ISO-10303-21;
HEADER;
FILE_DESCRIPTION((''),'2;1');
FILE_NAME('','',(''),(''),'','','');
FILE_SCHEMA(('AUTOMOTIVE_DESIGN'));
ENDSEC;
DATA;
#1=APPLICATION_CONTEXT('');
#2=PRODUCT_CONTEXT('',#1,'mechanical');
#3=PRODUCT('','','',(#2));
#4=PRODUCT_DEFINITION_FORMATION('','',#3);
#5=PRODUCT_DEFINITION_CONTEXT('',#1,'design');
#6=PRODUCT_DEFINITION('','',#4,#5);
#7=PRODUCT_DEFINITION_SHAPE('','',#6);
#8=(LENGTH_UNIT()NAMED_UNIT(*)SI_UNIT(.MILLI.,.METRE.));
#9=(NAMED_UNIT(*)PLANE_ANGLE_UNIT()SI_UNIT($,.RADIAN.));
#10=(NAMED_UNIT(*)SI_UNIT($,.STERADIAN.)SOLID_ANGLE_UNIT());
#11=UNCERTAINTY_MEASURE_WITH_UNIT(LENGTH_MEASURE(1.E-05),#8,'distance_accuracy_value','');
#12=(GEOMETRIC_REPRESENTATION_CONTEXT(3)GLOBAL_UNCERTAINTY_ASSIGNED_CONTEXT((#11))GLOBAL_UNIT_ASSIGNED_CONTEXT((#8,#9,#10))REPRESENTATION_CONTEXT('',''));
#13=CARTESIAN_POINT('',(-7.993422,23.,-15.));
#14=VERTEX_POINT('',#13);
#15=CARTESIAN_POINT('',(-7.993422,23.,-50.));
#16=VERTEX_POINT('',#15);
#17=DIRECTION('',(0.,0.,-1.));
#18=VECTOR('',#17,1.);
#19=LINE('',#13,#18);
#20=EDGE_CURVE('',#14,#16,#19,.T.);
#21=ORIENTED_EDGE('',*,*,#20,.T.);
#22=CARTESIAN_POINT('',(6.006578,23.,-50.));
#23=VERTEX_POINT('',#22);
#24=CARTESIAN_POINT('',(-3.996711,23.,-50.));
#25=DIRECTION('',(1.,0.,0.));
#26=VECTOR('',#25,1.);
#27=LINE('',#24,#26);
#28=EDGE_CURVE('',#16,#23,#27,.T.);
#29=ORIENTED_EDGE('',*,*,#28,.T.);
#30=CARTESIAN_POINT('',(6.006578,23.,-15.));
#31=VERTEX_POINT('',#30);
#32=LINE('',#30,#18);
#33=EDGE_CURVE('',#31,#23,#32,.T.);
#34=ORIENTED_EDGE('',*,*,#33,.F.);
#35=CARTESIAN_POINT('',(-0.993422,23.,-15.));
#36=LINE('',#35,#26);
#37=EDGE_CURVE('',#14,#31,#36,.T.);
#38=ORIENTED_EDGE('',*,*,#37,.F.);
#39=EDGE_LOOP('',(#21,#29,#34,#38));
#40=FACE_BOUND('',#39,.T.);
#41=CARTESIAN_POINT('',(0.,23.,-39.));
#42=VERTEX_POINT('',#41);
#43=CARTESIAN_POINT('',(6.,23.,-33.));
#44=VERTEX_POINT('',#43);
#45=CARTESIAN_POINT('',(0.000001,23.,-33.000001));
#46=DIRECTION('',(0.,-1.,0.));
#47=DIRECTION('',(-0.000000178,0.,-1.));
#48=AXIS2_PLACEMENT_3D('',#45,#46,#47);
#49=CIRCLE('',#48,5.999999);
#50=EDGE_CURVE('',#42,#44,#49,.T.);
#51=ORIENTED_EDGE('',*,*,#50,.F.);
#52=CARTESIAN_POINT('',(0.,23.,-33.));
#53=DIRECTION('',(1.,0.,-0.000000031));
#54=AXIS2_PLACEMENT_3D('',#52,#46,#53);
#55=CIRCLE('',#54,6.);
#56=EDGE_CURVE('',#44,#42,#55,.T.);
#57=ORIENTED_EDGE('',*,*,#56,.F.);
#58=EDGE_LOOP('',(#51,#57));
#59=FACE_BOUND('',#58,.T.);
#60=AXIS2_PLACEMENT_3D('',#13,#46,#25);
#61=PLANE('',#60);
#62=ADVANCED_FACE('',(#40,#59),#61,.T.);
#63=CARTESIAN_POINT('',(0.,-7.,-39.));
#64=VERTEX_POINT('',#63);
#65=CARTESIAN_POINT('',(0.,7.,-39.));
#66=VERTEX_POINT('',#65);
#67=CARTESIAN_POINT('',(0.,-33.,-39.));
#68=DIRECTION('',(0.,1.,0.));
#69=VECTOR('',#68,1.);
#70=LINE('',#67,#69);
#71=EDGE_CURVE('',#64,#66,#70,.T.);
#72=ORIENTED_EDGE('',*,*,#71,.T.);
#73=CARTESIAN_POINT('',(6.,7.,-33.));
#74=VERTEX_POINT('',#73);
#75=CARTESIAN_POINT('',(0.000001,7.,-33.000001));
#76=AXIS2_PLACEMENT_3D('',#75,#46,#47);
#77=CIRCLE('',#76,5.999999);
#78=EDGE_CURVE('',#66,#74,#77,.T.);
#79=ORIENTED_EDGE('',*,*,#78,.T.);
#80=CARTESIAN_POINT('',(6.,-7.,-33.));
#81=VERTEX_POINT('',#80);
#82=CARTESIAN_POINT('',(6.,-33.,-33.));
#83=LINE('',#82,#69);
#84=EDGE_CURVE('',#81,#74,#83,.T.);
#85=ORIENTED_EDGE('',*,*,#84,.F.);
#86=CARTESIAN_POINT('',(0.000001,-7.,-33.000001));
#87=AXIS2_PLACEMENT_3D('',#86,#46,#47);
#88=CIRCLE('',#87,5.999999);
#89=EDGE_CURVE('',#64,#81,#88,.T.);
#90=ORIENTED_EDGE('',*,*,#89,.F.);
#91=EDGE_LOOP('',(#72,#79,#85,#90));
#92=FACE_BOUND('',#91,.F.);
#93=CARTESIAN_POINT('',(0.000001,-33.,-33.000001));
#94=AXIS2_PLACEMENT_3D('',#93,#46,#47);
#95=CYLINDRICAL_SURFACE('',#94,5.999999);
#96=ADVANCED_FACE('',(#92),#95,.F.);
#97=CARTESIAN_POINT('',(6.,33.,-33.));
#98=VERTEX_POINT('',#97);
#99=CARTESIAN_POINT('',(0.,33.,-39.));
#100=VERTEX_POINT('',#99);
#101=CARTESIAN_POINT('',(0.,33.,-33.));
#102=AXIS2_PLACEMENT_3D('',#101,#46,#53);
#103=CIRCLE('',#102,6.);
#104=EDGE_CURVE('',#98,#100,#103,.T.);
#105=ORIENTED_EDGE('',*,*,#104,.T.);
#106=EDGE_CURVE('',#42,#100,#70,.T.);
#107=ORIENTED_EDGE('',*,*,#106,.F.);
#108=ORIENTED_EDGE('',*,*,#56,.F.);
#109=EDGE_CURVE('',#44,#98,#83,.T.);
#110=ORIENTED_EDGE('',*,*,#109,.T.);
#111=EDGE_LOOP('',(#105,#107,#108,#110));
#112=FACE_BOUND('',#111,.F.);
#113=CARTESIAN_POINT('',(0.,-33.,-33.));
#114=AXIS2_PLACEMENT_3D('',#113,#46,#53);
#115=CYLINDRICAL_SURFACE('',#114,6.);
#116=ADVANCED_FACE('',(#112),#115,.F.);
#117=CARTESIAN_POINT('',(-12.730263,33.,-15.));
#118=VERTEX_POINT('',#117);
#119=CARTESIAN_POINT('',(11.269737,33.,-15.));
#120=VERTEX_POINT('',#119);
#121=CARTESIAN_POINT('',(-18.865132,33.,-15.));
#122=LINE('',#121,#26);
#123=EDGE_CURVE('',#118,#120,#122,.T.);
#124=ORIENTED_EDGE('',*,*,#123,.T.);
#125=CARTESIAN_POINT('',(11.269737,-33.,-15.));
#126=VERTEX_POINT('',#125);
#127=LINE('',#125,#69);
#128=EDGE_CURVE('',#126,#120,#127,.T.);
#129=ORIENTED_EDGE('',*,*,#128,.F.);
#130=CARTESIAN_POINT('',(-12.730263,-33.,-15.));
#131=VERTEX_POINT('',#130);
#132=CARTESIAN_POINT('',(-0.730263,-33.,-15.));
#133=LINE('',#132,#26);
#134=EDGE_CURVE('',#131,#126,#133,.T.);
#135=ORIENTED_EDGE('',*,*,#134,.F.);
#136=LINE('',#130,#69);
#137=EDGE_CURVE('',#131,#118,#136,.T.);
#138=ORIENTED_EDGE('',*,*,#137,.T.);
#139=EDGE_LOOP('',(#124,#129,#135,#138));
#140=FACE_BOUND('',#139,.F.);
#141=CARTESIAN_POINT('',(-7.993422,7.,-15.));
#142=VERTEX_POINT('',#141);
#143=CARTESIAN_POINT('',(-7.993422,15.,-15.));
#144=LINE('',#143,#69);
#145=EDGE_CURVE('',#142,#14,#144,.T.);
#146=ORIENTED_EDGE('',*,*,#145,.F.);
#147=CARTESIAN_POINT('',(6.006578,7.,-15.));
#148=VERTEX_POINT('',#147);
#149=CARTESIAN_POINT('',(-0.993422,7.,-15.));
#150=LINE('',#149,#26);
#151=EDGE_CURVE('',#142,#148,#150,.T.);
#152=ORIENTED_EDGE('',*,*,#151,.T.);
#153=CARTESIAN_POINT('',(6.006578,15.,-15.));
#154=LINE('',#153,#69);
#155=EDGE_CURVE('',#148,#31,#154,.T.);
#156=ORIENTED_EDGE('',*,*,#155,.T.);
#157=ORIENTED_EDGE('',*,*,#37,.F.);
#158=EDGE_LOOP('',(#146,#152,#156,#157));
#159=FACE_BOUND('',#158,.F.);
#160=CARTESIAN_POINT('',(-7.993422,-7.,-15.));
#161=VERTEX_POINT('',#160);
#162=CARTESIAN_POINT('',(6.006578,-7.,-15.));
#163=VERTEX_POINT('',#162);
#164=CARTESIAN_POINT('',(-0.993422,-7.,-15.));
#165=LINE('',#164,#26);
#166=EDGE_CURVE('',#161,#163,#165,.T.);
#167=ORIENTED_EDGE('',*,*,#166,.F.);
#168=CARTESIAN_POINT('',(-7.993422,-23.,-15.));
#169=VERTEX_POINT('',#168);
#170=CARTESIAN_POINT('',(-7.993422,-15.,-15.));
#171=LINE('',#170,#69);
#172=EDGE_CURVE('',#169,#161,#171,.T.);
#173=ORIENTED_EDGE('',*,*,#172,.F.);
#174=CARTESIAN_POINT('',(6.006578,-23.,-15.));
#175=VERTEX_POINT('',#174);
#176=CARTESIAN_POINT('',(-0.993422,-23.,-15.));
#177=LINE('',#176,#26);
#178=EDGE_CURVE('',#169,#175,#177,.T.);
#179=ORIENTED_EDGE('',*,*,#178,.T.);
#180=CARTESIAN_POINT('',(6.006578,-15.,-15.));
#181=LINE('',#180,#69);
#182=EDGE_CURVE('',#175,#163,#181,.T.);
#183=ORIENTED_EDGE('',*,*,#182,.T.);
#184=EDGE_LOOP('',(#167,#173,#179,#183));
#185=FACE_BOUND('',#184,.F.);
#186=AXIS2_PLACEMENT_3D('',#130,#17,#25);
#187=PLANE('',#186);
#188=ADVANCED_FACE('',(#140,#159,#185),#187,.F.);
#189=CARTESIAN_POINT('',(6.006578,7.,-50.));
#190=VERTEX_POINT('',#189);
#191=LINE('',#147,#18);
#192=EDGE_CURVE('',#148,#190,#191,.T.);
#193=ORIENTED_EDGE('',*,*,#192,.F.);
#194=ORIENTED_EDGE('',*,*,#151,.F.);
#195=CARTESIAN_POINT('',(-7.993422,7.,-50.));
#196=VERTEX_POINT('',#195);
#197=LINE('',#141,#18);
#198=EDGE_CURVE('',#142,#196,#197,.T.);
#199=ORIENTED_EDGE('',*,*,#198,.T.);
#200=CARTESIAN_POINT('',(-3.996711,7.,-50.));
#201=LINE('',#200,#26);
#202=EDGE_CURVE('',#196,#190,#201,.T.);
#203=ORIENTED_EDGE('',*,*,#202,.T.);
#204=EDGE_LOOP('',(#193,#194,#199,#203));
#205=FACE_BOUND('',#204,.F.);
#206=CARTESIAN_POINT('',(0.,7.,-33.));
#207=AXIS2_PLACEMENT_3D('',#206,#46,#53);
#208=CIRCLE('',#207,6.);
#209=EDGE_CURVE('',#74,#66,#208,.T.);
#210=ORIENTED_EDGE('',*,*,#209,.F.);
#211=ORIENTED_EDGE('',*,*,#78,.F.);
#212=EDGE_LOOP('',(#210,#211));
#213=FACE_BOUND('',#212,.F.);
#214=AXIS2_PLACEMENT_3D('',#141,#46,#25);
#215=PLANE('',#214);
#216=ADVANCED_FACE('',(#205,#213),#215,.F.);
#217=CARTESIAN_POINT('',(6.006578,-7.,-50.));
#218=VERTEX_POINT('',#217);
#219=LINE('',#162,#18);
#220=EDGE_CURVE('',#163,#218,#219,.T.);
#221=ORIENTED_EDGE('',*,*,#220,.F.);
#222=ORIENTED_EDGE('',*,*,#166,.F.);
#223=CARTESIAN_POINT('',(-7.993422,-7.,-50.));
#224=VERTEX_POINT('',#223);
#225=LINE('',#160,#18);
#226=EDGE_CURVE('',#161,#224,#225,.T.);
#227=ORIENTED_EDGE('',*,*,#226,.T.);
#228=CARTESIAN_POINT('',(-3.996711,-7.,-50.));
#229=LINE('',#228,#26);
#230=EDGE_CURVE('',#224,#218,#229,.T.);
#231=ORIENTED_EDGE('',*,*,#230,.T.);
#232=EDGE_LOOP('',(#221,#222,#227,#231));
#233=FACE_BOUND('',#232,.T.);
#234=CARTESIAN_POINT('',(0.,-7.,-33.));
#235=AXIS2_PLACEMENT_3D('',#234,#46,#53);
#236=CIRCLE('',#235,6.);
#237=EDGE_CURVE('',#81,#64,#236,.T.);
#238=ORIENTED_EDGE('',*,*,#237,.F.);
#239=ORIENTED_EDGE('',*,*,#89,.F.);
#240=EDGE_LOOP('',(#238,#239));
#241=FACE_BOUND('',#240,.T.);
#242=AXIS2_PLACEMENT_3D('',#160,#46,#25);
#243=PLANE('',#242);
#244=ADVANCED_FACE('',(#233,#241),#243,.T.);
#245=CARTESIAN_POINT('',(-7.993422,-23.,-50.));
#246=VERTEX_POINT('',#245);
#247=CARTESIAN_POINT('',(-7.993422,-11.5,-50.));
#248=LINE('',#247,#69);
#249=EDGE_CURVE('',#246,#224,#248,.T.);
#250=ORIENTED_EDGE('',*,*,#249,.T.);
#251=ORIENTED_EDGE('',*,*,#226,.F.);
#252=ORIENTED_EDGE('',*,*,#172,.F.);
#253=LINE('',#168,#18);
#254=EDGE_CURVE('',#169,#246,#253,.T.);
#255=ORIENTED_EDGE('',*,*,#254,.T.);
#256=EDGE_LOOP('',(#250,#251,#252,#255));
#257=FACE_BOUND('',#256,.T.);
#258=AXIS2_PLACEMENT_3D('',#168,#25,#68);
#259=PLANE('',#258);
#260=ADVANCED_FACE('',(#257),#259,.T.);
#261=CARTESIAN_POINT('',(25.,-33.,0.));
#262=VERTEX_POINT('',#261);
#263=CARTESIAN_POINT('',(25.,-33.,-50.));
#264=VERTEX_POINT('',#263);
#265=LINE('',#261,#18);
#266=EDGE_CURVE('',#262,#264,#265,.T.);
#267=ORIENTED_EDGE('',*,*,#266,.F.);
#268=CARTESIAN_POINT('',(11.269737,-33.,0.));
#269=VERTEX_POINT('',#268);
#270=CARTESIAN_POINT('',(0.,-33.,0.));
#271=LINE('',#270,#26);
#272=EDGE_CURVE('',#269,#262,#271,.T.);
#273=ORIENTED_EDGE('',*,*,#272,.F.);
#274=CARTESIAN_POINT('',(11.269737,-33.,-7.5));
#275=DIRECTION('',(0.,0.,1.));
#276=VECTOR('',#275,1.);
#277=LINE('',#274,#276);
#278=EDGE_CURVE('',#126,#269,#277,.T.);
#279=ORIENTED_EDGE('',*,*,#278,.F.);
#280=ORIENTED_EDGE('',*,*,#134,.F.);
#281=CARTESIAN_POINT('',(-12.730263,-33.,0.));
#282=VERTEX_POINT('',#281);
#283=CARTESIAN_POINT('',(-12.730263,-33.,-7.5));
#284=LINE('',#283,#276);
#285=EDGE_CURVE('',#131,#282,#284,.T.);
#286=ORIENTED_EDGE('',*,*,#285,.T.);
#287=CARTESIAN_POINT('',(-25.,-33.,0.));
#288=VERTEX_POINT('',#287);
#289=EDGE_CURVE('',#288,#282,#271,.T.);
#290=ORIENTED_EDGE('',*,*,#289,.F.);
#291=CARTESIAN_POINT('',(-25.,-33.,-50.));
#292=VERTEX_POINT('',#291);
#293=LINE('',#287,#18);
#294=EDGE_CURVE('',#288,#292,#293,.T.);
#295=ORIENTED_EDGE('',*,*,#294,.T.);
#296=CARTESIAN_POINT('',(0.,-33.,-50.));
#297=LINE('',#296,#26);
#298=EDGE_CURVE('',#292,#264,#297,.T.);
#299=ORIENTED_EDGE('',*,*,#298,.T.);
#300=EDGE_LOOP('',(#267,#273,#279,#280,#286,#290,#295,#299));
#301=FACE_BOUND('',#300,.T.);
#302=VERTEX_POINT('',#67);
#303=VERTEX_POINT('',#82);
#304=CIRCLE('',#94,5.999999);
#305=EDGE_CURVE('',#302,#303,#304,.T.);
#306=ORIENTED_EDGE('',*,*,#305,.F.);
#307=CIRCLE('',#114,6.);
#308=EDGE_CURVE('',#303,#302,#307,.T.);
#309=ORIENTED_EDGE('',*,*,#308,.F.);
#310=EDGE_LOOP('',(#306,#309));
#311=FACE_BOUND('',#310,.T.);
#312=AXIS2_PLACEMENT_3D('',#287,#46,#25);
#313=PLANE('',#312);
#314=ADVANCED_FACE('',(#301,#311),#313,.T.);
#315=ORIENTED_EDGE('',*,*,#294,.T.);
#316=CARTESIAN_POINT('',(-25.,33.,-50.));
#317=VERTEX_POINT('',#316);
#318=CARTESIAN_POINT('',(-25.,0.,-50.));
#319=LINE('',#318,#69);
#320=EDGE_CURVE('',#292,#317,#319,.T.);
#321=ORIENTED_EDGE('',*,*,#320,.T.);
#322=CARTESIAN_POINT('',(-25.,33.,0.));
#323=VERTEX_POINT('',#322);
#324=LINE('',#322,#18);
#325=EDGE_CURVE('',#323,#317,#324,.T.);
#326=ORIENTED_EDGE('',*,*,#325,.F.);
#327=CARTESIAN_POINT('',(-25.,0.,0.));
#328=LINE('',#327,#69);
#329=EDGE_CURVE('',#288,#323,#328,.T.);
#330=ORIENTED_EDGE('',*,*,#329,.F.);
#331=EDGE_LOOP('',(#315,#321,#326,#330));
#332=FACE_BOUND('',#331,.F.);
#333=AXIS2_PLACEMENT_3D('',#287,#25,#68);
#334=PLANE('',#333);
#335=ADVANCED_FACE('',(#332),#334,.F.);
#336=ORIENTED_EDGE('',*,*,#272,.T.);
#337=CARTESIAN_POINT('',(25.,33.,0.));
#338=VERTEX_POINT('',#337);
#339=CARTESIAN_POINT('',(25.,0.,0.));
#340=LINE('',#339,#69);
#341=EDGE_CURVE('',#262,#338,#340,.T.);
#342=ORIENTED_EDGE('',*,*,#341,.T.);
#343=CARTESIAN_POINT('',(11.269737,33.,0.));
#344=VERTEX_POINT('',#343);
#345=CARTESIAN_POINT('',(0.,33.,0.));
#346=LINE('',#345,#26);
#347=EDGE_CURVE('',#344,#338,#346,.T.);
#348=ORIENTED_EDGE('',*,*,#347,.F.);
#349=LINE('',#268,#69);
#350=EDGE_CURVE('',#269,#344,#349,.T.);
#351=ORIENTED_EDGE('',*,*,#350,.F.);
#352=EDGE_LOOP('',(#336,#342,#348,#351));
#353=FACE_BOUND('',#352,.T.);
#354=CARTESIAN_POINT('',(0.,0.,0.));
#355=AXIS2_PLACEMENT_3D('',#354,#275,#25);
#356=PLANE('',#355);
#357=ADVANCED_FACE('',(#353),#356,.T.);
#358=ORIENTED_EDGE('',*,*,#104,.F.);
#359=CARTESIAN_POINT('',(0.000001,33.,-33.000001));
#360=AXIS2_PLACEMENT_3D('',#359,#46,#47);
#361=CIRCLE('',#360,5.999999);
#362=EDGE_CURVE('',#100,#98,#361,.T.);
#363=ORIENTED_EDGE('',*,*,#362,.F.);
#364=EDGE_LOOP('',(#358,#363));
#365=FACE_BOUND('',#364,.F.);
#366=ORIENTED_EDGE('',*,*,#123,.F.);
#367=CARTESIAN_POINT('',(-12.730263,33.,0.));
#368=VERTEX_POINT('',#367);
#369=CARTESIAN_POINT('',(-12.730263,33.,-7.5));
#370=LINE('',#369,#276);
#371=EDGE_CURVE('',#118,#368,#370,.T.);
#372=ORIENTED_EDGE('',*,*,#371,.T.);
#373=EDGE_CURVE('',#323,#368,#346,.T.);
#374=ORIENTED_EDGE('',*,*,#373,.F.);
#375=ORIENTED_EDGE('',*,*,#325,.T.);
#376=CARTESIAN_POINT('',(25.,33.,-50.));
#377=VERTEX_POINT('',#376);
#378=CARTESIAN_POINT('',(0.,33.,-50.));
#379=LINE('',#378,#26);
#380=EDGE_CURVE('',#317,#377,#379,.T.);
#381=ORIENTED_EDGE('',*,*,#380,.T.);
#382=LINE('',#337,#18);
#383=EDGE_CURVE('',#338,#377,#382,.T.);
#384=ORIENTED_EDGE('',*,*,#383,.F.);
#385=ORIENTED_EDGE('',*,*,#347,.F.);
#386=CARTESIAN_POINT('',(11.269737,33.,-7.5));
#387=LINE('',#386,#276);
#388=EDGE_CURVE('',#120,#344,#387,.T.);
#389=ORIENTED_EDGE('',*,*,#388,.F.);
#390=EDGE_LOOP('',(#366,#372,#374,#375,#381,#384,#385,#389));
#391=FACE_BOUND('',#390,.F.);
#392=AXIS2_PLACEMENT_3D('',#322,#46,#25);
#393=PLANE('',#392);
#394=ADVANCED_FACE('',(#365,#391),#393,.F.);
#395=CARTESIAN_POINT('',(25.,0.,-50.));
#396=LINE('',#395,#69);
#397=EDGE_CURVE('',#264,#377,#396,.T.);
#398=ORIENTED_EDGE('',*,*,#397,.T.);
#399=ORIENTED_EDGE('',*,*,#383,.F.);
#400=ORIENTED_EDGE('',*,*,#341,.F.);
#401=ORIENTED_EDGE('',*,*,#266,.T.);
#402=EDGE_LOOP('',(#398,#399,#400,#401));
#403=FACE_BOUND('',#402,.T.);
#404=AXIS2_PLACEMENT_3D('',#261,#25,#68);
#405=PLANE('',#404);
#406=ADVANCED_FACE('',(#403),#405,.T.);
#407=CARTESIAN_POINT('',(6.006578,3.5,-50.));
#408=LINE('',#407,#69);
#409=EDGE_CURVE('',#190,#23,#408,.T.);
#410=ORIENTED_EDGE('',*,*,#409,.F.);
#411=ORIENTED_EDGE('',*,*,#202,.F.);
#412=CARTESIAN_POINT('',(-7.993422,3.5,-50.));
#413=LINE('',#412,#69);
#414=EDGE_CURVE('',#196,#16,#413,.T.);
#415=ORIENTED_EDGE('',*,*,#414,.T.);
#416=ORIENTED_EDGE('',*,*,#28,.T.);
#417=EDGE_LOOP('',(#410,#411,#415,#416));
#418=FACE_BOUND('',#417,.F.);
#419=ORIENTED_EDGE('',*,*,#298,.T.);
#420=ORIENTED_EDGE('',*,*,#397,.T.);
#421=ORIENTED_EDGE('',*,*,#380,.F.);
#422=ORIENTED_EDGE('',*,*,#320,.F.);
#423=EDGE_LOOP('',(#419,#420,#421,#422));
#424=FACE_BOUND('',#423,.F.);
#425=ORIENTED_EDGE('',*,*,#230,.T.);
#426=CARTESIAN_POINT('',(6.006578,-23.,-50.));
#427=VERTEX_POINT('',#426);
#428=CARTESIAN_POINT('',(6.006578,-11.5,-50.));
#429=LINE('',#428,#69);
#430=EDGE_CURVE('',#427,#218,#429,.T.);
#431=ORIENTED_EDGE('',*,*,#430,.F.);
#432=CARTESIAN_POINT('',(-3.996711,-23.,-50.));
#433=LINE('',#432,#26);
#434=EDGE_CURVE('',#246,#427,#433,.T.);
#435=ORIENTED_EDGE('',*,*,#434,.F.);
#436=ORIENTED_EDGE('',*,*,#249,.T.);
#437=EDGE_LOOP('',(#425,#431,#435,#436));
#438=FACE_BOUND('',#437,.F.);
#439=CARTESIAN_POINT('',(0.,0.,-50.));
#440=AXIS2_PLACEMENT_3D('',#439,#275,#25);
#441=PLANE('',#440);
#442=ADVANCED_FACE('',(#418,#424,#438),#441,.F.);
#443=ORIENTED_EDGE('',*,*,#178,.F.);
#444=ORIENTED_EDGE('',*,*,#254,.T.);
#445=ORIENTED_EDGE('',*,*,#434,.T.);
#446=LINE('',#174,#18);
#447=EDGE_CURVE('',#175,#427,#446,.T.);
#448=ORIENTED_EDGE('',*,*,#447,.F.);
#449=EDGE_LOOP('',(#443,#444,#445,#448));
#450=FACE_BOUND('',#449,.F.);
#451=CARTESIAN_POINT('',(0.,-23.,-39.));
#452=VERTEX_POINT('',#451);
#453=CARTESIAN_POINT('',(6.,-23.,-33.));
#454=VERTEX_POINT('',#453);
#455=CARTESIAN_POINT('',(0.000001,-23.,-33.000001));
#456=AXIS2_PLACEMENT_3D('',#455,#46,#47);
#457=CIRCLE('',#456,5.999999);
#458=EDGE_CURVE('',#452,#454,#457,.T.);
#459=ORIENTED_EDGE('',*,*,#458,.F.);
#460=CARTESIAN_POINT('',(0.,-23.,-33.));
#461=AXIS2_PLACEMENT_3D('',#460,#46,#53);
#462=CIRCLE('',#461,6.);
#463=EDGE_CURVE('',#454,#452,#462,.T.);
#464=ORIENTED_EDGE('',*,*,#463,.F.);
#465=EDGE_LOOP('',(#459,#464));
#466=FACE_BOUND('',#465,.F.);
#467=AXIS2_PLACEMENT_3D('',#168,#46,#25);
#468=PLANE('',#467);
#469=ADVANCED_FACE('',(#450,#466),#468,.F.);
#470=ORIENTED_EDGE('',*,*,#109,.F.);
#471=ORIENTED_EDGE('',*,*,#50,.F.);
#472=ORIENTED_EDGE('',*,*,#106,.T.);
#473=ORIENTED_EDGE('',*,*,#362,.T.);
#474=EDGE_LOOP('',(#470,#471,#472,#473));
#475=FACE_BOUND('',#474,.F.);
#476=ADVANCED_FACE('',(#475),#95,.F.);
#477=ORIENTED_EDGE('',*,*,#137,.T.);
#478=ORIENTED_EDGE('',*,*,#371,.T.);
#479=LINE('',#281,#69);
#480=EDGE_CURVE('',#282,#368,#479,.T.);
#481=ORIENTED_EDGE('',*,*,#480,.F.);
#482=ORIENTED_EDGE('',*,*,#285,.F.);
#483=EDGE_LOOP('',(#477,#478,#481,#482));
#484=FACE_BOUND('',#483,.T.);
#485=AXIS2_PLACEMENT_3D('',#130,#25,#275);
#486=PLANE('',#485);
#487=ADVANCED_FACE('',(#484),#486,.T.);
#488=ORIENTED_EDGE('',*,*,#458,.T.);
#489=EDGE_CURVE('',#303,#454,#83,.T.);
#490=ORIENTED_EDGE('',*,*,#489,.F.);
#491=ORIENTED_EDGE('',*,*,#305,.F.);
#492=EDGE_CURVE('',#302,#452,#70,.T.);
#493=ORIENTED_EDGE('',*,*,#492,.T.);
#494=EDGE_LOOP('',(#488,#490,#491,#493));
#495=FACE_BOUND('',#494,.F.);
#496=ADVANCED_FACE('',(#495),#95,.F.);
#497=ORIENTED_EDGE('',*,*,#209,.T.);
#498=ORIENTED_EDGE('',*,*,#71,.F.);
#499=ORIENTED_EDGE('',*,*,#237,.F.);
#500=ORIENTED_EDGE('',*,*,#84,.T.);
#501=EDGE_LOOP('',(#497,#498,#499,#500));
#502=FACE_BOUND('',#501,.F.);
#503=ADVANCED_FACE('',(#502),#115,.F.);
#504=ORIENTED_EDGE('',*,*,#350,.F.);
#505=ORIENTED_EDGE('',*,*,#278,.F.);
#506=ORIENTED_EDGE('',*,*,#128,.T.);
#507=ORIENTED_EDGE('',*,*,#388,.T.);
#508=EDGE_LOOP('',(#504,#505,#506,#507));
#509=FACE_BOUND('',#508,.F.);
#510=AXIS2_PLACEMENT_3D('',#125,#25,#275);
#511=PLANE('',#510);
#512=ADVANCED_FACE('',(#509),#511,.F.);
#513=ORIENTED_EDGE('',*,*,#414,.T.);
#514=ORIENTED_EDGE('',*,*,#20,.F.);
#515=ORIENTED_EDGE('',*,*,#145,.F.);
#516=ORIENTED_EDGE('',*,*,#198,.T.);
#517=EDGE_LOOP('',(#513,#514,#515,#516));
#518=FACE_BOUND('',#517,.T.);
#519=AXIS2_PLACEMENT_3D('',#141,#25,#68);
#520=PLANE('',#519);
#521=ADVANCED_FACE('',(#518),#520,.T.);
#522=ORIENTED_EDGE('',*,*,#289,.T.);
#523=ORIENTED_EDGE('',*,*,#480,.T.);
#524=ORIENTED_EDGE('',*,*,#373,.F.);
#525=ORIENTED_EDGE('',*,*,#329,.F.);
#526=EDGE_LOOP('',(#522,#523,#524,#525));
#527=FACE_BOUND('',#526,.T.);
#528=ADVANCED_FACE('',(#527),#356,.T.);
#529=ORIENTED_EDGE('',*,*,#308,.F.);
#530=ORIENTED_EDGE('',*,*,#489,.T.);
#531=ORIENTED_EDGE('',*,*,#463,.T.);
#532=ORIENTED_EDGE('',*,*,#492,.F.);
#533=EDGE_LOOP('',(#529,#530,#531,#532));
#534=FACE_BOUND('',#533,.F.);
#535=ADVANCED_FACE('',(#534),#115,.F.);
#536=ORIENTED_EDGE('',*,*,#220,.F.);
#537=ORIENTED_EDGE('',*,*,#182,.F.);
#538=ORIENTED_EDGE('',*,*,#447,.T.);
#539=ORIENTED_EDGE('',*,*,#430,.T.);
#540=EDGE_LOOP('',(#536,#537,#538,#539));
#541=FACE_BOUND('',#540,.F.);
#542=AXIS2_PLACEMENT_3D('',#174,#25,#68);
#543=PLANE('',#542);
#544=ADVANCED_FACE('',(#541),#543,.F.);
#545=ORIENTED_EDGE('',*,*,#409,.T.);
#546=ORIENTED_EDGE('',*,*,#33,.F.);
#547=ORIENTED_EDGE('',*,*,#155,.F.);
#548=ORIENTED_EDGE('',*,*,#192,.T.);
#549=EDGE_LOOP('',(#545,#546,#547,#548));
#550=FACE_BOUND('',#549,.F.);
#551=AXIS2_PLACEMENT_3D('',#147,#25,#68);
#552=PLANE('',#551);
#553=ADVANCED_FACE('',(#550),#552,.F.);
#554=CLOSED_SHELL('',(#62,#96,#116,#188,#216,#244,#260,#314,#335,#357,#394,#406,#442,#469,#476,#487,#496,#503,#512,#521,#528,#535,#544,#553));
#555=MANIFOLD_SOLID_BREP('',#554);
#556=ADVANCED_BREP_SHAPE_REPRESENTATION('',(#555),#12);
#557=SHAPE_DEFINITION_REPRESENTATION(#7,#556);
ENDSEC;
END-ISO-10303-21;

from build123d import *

# Parameters (mm, degrees)
F0_W     = 50
F0_H     = 66
F1_DEPTH = 50
F2_W     = 24
F2_H     = 15
F3_DEPTH = 100
F5_DEPTH = 100
F6_W     = 14
F6_H     = 16
F7_DEPTH = 100


with BuildPart() as f1:
    # F0 (on Top) → F1 (new body)
    with BuildSketch(Plane.XY):
        Rectangle(F0_W, F0_H)
    extrude(amount=-F1_DEPTH)

    # F2 (on face) → F3 (cut)
    with BuildSketch(Plane.XZ.offset(33)):
        with Locations((-0.730263, -7.5)):
            Rectangle(F2_W, F2_H)
    extrude(amount=-F3_DEPTH, mode=Mode.SUBTRACT)

    # F4 (on face) → F5 (cut)
    with BuildSketch(Plane.XZ.offset(33)):
        with BuildLine():
            ThreePointArc((6, -33), (-4.242641, -28.757359), (0, -39))
            ThreePointArc((0, -39), (4.242641, -37.242641), (6, -33))
        make_face()
    extrude(amount=-F5_DEPTH, mode=Mode.SUBTRACT)

    # F6 (on face) → F7 (cut)
    with BuildSketch(Plane.XY.offset(-15)):
        with Locations((-0.993422, 15)):
            Rectangle(F6_W, F6_H)
        with Locations((-0.993422, -15)):
            Rectangle(F6_W, F6_H)
    extrude(amount=-F7_DEPTH, mode=Mode.SUBTRACT)


solid = f1.part
